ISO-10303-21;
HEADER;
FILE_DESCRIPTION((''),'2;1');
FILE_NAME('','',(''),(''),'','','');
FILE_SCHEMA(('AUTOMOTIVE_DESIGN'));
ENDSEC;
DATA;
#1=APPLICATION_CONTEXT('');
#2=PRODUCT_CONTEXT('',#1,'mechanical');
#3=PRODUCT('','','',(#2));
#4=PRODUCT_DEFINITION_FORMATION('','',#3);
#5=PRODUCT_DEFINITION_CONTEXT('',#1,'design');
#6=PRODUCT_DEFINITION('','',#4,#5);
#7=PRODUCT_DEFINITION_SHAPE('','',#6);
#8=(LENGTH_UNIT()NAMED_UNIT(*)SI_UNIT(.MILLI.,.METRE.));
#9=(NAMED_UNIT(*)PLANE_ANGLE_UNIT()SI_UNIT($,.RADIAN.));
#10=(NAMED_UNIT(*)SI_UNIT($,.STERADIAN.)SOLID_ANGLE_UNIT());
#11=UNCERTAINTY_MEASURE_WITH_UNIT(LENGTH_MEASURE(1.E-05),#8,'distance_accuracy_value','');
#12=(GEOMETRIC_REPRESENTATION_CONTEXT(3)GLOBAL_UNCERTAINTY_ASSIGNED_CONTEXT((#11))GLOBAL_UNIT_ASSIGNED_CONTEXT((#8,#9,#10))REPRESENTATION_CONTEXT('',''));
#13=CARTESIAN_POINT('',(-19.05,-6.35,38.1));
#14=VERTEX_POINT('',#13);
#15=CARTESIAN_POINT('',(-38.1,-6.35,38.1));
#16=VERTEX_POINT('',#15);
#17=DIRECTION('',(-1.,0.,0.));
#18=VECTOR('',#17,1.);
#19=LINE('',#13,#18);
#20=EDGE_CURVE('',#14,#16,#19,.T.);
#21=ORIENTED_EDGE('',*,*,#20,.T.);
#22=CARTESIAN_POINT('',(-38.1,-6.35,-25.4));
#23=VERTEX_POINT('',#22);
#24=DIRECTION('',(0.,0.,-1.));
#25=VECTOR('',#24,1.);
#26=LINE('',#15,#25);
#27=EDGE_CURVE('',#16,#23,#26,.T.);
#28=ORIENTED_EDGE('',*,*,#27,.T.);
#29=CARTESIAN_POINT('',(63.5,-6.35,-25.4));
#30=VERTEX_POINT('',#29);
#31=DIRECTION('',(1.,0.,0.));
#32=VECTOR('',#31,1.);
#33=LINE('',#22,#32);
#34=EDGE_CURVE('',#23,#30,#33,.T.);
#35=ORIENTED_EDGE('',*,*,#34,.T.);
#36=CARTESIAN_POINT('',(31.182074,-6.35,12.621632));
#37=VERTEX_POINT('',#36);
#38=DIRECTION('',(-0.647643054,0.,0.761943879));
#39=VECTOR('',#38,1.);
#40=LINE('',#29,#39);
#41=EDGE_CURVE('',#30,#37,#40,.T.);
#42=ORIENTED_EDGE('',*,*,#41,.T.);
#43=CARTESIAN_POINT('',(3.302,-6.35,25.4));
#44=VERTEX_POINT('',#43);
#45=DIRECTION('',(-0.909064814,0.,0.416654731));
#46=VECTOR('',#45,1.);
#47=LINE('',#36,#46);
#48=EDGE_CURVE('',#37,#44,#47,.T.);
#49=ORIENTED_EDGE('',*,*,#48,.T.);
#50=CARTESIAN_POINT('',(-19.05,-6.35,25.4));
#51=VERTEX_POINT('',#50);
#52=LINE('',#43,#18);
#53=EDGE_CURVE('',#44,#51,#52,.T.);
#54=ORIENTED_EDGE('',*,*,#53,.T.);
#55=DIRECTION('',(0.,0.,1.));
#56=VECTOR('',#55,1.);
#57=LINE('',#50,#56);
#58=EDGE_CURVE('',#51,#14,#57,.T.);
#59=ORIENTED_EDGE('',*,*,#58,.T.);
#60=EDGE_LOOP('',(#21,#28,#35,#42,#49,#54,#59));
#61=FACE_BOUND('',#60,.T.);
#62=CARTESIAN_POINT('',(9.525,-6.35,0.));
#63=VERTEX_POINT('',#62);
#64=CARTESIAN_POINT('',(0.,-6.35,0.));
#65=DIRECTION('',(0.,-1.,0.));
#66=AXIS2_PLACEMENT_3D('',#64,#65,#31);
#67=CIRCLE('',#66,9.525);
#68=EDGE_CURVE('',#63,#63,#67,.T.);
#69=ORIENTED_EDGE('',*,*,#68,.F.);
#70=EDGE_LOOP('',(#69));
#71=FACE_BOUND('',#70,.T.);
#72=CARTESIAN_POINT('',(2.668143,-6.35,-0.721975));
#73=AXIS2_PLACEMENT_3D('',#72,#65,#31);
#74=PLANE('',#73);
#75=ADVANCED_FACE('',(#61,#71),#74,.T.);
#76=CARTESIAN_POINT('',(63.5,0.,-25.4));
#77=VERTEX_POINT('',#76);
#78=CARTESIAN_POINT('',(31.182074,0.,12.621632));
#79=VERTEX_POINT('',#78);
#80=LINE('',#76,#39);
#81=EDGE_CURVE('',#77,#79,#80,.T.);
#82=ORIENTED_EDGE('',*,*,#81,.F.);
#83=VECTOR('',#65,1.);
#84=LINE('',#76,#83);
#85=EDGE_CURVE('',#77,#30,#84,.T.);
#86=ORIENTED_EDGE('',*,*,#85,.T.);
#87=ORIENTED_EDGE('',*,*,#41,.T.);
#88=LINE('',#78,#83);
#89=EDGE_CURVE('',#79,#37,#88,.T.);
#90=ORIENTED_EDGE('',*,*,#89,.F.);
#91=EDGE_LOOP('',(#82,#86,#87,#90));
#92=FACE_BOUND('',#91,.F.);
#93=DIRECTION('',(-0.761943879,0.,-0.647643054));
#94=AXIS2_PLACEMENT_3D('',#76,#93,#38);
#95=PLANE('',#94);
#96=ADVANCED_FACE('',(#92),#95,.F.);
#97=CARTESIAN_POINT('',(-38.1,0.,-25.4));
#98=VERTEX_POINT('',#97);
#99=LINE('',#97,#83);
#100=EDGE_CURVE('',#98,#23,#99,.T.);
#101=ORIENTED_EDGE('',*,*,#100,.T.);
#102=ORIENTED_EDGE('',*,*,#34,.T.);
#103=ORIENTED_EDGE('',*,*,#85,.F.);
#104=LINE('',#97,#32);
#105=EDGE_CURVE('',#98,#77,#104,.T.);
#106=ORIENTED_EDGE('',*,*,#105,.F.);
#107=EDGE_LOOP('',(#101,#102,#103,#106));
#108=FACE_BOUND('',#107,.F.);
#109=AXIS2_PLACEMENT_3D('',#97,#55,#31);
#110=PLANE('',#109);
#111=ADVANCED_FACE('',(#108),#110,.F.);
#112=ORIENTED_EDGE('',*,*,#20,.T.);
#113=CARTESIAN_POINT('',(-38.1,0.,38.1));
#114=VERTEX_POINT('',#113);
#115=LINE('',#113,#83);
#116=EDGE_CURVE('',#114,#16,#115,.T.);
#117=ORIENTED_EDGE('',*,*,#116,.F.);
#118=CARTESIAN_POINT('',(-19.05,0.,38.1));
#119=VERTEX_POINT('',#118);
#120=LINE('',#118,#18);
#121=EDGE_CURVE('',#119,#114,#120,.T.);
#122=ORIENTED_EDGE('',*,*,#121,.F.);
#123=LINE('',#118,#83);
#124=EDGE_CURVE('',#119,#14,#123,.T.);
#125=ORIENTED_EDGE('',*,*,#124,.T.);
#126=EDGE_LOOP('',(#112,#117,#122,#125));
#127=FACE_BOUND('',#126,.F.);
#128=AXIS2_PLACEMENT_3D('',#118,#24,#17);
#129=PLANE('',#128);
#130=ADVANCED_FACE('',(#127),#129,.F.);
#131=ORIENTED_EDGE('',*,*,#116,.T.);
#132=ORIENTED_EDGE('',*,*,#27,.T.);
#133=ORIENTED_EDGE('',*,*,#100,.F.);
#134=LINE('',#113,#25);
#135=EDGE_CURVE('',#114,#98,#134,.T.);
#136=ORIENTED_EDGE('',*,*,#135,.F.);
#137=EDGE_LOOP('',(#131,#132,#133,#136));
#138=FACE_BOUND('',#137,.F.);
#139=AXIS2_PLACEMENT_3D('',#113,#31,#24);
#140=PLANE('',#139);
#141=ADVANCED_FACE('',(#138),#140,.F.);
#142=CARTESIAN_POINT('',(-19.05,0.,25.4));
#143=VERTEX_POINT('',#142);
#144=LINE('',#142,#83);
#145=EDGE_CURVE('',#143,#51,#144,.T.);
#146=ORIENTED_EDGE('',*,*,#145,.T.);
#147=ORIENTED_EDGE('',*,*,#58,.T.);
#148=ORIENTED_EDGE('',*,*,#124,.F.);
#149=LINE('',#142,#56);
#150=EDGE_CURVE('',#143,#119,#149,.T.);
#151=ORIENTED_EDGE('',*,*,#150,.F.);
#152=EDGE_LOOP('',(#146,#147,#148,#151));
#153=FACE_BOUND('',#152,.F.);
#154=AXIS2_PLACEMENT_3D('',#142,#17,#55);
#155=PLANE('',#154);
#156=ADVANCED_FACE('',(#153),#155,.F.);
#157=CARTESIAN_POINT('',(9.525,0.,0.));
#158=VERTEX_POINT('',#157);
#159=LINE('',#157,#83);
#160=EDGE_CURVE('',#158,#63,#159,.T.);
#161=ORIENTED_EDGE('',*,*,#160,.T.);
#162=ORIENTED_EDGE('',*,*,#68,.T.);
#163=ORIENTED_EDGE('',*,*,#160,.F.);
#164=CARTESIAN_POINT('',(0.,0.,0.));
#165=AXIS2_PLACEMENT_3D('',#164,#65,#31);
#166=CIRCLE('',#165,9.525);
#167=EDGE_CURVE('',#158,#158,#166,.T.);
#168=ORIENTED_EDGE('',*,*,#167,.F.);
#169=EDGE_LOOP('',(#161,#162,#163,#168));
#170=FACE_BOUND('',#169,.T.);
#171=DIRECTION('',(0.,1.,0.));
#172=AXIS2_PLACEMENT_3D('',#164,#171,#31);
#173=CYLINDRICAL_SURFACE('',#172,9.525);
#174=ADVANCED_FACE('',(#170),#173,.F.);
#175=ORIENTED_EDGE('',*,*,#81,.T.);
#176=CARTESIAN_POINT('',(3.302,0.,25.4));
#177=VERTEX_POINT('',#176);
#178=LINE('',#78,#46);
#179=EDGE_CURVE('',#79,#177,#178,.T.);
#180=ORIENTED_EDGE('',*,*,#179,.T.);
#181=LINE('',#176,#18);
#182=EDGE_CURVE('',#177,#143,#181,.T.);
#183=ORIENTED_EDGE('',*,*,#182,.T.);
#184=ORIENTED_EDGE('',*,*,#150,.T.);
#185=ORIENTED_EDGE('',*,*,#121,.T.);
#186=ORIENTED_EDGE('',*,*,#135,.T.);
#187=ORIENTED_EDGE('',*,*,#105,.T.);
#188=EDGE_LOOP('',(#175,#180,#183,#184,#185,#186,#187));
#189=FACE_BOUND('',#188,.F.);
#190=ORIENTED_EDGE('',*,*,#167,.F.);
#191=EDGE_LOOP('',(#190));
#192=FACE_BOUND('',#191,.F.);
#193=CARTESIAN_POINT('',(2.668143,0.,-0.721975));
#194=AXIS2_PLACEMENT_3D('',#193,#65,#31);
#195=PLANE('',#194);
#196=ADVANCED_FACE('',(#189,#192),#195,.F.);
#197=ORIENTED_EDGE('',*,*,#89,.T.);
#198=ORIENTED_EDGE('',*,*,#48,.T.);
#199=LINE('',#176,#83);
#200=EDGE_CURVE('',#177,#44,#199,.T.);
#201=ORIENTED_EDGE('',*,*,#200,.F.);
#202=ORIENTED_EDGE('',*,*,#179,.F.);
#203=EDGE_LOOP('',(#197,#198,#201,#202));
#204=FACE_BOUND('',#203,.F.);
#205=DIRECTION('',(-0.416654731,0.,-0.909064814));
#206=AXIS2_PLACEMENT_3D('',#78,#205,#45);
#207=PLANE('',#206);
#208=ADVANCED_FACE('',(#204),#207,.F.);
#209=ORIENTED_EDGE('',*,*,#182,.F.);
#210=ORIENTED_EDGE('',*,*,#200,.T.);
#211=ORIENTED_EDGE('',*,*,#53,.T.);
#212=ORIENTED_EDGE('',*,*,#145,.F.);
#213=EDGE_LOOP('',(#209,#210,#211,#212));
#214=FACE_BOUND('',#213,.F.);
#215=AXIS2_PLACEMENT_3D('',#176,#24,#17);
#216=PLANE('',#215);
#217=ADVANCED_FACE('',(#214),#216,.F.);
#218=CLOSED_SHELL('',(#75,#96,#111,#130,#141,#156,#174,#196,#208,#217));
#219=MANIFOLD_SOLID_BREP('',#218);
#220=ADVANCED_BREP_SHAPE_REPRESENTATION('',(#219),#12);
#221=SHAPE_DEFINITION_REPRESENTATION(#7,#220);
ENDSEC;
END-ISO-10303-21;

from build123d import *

# Parameters (mm, degrees)
F0_R     = 9.525
F1_DEPTH = 6.35


with BuildPart() as f1:
    # F0 (on Front) → F1 (new body)
    with BuildSketch(Plane.XZ):
        Polygon((-38.1, 38.1), (-38.1, -25.4), (63.5, -25.4), (31.182074, 12.621632), (3.302, 25.4), (-19.05, 25.4), (-19.05, 38.1), align=None)
        Circle(F0_R, mode=Mode.SUBTRACT)
    extrude(amount=F1_DEPTH)


solid = f1.part
